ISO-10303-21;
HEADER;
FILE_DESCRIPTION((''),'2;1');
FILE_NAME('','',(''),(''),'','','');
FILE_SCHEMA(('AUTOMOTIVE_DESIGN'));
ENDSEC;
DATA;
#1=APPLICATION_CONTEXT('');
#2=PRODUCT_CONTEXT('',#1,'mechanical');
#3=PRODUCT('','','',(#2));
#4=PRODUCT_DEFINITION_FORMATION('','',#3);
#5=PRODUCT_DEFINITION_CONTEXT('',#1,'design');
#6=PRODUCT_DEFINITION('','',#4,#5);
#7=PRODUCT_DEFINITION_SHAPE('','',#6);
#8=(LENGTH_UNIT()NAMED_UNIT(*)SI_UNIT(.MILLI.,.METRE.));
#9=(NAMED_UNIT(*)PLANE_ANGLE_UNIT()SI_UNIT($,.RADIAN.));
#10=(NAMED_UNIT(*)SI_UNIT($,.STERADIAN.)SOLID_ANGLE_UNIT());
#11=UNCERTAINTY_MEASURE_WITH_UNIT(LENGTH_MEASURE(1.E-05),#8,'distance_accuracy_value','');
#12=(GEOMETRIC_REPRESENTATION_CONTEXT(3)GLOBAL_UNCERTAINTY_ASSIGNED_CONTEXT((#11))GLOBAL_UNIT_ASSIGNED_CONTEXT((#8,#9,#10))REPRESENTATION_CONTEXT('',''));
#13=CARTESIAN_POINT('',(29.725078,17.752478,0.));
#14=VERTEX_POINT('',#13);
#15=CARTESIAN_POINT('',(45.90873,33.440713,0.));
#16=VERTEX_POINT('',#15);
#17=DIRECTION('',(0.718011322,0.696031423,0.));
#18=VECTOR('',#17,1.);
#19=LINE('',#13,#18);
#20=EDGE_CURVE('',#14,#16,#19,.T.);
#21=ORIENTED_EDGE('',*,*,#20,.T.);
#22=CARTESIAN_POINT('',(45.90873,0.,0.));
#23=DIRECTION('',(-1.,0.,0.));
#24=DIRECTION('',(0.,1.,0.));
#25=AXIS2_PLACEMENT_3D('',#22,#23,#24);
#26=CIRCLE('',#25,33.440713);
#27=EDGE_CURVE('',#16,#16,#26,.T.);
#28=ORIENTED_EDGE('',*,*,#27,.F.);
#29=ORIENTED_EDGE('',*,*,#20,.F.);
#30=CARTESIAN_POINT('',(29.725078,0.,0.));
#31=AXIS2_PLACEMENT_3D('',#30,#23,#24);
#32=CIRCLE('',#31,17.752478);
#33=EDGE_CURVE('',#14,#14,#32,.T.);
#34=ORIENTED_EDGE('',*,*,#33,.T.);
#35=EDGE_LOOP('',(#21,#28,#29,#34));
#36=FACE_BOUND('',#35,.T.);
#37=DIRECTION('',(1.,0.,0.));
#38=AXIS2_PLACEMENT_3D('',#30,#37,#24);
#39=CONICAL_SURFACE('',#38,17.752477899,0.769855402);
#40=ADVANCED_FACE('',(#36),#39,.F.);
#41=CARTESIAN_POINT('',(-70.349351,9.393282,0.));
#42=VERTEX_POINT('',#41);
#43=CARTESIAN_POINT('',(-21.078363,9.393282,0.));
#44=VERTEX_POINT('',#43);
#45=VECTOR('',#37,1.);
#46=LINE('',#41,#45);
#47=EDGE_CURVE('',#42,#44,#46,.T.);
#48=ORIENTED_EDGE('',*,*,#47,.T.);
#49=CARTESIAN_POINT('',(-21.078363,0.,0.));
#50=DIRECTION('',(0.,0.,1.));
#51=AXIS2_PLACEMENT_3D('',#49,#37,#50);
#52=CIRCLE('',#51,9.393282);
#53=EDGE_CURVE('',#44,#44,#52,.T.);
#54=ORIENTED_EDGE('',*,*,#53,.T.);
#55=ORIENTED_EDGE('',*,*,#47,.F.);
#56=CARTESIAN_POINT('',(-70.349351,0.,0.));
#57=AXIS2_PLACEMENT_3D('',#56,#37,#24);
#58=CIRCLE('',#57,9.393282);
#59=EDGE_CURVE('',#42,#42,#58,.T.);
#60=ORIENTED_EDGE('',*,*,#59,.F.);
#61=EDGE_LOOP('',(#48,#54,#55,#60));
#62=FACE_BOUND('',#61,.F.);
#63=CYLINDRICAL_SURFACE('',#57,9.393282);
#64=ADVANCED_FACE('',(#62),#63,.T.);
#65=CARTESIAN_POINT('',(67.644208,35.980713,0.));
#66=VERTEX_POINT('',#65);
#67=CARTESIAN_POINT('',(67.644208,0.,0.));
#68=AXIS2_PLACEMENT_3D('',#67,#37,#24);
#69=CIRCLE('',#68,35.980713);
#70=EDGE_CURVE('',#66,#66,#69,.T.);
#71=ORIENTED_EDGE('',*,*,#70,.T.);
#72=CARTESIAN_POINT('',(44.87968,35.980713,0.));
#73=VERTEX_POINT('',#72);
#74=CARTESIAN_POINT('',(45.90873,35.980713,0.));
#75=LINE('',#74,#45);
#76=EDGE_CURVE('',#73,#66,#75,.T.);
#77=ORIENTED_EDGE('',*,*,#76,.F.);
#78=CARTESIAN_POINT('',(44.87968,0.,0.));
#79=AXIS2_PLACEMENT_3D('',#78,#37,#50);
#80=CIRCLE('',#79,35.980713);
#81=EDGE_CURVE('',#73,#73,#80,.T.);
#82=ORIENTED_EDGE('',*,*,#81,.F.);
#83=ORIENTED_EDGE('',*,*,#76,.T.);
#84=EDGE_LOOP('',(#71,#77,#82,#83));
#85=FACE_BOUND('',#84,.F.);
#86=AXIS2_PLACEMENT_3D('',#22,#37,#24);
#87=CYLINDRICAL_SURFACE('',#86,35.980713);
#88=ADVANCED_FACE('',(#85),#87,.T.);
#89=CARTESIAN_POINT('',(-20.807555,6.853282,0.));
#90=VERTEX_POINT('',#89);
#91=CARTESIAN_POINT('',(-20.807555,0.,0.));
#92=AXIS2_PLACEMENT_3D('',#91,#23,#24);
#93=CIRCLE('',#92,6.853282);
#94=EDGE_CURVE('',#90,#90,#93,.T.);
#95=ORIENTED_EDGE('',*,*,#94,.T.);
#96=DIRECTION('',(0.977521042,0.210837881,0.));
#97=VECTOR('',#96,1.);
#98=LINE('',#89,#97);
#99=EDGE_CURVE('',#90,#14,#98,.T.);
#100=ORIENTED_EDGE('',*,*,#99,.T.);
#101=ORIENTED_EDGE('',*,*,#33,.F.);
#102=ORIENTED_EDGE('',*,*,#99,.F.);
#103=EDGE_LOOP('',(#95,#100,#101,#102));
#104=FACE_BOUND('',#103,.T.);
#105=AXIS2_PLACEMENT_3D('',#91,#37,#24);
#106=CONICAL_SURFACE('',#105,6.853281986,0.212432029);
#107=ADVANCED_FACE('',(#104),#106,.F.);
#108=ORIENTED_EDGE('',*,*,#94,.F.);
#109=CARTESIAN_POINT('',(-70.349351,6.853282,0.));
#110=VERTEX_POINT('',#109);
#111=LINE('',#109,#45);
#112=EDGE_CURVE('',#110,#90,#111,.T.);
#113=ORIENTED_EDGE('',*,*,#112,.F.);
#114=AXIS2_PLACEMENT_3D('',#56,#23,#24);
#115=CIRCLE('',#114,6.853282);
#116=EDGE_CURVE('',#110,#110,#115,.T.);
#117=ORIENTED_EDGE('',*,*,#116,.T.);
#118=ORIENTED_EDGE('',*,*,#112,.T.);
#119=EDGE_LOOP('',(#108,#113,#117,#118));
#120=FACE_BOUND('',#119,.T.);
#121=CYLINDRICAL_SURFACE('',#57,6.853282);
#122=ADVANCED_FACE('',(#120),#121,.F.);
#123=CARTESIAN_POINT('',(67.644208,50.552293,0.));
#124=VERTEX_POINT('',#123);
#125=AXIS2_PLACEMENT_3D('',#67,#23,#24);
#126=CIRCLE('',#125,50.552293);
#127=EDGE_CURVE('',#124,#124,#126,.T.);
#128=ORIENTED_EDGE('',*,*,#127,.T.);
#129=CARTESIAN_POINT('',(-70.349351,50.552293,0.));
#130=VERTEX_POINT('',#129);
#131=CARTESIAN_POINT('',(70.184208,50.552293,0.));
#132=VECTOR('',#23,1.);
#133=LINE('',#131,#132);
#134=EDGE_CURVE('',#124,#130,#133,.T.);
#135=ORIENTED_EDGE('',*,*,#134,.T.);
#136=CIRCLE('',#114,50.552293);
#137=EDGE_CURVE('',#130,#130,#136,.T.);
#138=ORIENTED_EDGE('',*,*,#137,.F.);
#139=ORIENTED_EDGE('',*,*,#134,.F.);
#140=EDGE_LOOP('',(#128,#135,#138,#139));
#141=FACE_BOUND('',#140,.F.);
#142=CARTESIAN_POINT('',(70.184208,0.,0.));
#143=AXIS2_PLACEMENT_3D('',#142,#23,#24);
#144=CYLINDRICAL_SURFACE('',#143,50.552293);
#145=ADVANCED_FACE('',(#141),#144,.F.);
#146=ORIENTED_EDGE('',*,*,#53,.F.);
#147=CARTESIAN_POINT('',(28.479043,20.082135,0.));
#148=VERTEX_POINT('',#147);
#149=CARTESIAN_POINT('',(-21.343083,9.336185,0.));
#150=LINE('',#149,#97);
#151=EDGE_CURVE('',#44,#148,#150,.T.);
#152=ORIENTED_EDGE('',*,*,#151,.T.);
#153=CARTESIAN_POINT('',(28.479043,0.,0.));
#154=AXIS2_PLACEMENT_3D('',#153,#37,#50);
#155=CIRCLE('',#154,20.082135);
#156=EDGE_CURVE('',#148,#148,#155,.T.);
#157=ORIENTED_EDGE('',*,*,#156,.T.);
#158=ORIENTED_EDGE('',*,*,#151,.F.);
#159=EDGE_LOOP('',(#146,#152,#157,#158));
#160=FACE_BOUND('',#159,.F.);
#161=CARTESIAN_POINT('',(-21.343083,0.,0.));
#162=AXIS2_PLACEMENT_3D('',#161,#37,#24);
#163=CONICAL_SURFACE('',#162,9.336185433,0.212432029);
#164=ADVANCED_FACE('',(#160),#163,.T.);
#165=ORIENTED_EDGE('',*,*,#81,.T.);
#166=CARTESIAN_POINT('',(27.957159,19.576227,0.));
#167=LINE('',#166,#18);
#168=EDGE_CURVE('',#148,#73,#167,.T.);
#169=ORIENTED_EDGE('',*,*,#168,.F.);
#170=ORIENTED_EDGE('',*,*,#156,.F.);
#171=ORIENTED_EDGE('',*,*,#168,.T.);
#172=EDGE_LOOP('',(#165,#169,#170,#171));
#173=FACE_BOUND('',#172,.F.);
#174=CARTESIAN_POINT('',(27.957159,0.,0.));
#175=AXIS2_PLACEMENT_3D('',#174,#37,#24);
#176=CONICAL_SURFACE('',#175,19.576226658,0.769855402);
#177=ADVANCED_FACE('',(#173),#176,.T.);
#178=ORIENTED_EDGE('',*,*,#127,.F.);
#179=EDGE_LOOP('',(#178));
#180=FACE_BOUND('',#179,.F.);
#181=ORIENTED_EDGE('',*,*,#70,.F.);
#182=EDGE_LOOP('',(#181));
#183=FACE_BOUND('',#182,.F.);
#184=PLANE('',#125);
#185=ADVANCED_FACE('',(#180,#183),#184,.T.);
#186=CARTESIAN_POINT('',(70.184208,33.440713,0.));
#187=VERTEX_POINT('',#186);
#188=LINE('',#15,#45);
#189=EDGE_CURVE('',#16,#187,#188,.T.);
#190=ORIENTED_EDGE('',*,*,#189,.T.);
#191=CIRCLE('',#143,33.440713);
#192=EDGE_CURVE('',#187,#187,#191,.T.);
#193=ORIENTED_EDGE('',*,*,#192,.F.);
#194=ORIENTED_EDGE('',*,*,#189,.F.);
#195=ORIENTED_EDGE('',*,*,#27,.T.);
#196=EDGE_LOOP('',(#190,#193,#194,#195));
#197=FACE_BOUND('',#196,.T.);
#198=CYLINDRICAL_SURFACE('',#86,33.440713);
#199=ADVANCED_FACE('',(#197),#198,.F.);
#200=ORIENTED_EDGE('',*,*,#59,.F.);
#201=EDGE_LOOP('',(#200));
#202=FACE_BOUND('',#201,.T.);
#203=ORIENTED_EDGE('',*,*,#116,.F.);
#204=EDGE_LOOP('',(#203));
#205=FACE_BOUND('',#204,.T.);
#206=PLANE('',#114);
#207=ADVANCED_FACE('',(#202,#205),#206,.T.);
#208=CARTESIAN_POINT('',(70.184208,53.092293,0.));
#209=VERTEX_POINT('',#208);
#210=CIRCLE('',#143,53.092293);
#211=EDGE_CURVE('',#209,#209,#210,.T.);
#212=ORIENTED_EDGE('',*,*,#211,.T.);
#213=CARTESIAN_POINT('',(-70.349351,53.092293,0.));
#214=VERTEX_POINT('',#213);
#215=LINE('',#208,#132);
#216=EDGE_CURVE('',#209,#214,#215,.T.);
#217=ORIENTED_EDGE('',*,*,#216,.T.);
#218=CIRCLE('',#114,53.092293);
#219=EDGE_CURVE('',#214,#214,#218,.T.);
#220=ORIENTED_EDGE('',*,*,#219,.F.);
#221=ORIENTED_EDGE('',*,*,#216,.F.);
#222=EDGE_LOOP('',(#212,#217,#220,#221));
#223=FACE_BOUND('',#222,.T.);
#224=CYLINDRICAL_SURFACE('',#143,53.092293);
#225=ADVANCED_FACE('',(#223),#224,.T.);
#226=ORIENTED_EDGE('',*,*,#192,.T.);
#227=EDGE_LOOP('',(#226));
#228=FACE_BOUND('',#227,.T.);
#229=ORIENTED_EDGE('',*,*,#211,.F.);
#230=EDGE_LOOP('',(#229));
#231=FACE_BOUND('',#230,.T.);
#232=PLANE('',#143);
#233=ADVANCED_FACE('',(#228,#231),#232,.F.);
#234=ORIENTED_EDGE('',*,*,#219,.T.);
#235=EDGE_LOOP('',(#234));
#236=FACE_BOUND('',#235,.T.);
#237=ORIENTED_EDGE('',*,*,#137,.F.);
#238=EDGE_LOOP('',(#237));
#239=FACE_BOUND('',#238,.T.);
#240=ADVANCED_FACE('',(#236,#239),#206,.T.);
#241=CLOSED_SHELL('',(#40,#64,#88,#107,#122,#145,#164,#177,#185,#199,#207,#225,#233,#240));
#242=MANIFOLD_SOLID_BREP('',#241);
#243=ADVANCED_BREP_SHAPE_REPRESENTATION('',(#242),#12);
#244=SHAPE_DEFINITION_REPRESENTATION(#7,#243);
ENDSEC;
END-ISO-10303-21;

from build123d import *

# Parameters (mm, degrees)
F2_T = -2.54


with BuildPart() as f1:
    # F0 (on Top) → F1 (revolve)
    with BuildSketch(Plane.XY):
        Polygon((-70.3493505716, 53.0922934413), (-70.3493505716, 6.853281986), (-20.8075549453, 6.853281986), (29.7250784934, 17.7524778992), (45.9087304771, 33.4407128394), (70.1842084527, 33.4407128394), (70.1842084527, 53.0922934413), align=None)
    revolve(axis=Axis((-42.0623756945, 0, 0), (-1, 0, 0)))

    # F2
    f2_openings = [f1.faces().sort_by_distance(p)[0] for p in [
        (-70.349351, -51.590617, 0),
    ]]
    offset(amount=F2_T, openings=f2_openings, kind=Kind.INTERSECTION)


solid = f1.part
